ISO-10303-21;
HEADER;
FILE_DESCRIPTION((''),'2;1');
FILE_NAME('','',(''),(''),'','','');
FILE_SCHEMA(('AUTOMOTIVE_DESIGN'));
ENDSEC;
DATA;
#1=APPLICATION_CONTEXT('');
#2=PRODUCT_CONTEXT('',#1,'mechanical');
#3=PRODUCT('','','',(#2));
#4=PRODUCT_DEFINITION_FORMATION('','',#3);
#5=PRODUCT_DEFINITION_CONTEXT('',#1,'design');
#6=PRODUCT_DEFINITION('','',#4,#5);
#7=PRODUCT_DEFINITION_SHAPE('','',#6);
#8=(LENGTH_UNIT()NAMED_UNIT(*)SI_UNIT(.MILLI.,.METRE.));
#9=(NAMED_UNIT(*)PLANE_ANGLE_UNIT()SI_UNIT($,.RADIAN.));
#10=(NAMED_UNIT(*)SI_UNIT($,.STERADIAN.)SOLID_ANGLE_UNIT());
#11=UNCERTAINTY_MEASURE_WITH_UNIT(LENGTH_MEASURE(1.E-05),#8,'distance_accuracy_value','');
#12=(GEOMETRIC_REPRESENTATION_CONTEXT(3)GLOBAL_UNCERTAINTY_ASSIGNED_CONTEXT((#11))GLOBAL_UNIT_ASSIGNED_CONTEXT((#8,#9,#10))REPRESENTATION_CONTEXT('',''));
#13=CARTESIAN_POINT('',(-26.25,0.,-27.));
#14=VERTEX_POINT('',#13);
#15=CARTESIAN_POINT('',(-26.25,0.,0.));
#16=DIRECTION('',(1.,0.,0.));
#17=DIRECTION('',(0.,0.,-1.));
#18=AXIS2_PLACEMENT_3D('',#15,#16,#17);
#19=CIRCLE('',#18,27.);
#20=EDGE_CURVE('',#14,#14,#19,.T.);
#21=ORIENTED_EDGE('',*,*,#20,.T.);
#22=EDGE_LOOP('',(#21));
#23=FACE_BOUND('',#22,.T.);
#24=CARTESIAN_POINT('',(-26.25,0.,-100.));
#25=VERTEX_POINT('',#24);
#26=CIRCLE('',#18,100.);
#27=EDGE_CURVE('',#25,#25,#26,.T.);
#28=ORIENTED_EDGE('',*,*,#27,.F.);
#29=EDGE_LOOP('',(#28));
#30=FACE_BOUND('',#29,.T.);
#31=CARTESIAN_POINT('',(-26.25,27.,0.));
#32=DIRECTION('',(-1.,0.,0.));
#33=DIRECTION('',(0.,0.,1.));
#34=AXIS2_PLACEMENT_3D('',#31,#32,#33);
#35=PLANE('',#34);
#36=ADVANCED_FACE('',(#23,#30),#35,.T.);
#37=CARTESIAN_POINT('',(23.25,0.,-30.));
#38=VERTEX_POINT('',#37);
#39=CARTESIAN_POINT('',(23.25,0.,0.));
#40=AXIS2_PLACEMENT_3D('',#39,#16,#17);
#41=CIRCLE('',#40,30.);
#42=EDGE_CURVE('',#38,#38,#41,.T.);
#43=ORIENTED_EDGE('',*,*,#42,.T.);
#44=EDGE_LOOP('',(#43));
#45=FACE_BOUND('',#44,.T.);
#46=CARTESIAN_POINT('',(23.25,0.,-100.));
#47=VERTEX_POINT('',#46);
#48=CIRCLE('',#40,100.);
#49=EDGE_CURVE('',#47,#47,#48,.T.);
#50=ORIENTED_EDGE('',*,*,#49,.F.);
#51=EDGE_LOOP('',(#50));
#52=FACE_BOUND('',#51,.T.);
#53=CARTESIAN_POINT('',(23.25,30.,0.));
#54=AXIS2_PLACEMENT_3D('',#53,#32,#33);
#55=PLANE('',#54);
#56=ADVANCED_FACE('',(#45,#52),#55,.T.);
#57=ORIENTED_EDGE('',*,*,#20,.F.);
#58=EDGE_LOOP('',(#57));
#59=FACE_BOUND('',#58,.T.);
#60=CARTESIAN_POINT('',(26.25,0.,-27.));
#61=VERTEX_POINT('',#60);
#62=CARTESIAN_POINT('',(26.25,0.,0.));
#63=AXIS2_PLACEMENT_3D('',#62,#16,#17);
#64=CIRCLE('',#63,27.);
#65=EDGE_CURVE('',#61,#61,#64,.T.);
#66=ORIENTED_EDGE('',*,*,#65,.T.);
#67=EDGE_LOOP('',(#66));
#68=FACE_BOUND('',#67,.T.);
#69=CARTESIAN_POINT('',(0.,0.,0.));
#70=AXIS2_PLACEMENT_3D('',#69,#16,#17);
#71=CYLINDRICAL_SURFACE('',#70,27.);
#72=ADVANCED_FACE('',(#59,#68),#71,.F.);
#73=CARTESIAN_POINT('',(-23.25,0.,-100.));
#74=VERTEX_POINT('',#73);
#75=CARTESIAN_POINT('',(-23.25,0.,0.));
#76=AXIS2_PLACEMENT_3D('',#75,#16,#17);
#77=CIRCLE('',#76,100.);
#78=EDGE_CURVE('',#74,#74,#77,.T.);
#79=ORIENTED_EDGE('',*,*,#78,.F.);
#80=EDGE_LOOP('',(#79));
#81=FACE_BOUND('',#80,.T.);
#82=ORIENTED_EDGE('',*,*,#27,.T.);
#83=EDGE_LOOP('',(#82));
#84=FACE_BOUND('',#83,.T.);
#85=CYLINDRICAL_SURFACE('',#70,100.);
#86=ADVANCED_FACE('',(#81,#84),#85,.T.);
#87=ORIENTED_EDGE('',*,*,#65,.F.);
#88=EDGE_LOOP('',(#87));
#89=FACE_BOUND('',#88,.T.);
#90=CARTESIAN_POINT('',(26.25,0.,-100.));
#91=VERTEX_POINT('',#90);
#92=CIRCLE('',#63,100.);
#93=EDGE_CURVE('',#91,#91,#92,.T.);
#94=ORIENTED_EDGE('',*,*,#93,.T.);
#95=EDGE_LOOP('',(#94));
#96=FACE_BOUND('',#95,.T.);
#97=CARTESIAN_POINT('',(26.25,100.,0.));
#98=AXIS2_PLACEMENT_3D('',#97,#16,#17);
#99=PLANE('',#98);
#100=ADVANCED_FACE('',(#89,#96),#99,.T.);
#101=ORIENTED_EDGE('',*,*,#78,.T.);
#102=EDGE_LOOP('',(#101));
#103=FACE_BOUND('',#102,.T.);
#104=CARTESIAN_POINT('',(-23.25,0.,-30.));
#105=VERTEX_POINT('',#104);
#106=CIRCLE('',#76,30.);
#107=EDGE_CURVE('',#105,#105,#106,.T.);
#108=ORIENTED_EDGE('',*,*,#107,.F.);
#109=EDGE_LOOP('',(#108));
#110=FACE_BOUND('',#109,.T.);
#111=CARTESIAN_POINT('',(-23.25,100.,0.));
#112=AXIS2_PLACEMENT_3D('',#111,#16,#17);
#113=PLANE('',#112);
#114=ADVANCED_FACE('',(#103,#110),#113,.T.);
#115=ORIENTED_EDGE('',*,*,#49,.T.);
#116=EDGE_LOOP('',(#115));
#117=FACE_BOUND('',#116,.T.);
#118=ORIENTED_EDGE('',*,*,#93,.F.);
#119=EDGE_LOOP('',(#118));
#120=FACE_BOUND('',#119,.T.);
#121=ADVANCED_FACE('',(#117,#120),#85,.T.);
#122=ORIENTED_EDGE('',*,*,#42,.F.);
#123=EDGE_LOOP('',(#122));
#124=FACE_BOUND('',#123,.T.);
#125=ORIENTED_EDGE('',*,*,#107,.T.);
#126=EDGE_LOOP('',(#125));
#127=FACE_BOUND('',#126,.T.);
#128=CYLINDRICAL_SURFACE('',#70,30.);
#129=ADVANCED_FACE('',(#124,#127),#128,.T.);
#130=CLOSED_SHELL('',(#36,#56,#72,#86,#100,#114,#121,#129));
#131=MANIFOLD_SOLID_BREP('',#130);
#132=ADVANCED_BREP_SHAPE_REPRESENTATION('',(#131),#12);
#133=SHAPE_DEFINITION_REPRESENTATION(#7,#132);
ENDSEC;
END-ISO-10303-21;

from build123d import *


with BuildPart() as part:
    # Sketch1 → Revolve1 (revolve)
    with BuildSketch(Plane.XY, mode=Mode.PRIVATE) as revolve1_sk:
        Polygon((-26.25, 27), (-26.25, 100), (-23.25, 100), (-23.25, 30), (23.25, 30), (23.25, 100), (26.25, 100), (26.25, 27), align=None)
    revolve(revolve1_sk.sketch.rotate(Axis((0, 0, 0), (-1, 0, 0)), 90), axis=Axis((0, 0, 0), (-1, 0, 0)))


solid = part.part
